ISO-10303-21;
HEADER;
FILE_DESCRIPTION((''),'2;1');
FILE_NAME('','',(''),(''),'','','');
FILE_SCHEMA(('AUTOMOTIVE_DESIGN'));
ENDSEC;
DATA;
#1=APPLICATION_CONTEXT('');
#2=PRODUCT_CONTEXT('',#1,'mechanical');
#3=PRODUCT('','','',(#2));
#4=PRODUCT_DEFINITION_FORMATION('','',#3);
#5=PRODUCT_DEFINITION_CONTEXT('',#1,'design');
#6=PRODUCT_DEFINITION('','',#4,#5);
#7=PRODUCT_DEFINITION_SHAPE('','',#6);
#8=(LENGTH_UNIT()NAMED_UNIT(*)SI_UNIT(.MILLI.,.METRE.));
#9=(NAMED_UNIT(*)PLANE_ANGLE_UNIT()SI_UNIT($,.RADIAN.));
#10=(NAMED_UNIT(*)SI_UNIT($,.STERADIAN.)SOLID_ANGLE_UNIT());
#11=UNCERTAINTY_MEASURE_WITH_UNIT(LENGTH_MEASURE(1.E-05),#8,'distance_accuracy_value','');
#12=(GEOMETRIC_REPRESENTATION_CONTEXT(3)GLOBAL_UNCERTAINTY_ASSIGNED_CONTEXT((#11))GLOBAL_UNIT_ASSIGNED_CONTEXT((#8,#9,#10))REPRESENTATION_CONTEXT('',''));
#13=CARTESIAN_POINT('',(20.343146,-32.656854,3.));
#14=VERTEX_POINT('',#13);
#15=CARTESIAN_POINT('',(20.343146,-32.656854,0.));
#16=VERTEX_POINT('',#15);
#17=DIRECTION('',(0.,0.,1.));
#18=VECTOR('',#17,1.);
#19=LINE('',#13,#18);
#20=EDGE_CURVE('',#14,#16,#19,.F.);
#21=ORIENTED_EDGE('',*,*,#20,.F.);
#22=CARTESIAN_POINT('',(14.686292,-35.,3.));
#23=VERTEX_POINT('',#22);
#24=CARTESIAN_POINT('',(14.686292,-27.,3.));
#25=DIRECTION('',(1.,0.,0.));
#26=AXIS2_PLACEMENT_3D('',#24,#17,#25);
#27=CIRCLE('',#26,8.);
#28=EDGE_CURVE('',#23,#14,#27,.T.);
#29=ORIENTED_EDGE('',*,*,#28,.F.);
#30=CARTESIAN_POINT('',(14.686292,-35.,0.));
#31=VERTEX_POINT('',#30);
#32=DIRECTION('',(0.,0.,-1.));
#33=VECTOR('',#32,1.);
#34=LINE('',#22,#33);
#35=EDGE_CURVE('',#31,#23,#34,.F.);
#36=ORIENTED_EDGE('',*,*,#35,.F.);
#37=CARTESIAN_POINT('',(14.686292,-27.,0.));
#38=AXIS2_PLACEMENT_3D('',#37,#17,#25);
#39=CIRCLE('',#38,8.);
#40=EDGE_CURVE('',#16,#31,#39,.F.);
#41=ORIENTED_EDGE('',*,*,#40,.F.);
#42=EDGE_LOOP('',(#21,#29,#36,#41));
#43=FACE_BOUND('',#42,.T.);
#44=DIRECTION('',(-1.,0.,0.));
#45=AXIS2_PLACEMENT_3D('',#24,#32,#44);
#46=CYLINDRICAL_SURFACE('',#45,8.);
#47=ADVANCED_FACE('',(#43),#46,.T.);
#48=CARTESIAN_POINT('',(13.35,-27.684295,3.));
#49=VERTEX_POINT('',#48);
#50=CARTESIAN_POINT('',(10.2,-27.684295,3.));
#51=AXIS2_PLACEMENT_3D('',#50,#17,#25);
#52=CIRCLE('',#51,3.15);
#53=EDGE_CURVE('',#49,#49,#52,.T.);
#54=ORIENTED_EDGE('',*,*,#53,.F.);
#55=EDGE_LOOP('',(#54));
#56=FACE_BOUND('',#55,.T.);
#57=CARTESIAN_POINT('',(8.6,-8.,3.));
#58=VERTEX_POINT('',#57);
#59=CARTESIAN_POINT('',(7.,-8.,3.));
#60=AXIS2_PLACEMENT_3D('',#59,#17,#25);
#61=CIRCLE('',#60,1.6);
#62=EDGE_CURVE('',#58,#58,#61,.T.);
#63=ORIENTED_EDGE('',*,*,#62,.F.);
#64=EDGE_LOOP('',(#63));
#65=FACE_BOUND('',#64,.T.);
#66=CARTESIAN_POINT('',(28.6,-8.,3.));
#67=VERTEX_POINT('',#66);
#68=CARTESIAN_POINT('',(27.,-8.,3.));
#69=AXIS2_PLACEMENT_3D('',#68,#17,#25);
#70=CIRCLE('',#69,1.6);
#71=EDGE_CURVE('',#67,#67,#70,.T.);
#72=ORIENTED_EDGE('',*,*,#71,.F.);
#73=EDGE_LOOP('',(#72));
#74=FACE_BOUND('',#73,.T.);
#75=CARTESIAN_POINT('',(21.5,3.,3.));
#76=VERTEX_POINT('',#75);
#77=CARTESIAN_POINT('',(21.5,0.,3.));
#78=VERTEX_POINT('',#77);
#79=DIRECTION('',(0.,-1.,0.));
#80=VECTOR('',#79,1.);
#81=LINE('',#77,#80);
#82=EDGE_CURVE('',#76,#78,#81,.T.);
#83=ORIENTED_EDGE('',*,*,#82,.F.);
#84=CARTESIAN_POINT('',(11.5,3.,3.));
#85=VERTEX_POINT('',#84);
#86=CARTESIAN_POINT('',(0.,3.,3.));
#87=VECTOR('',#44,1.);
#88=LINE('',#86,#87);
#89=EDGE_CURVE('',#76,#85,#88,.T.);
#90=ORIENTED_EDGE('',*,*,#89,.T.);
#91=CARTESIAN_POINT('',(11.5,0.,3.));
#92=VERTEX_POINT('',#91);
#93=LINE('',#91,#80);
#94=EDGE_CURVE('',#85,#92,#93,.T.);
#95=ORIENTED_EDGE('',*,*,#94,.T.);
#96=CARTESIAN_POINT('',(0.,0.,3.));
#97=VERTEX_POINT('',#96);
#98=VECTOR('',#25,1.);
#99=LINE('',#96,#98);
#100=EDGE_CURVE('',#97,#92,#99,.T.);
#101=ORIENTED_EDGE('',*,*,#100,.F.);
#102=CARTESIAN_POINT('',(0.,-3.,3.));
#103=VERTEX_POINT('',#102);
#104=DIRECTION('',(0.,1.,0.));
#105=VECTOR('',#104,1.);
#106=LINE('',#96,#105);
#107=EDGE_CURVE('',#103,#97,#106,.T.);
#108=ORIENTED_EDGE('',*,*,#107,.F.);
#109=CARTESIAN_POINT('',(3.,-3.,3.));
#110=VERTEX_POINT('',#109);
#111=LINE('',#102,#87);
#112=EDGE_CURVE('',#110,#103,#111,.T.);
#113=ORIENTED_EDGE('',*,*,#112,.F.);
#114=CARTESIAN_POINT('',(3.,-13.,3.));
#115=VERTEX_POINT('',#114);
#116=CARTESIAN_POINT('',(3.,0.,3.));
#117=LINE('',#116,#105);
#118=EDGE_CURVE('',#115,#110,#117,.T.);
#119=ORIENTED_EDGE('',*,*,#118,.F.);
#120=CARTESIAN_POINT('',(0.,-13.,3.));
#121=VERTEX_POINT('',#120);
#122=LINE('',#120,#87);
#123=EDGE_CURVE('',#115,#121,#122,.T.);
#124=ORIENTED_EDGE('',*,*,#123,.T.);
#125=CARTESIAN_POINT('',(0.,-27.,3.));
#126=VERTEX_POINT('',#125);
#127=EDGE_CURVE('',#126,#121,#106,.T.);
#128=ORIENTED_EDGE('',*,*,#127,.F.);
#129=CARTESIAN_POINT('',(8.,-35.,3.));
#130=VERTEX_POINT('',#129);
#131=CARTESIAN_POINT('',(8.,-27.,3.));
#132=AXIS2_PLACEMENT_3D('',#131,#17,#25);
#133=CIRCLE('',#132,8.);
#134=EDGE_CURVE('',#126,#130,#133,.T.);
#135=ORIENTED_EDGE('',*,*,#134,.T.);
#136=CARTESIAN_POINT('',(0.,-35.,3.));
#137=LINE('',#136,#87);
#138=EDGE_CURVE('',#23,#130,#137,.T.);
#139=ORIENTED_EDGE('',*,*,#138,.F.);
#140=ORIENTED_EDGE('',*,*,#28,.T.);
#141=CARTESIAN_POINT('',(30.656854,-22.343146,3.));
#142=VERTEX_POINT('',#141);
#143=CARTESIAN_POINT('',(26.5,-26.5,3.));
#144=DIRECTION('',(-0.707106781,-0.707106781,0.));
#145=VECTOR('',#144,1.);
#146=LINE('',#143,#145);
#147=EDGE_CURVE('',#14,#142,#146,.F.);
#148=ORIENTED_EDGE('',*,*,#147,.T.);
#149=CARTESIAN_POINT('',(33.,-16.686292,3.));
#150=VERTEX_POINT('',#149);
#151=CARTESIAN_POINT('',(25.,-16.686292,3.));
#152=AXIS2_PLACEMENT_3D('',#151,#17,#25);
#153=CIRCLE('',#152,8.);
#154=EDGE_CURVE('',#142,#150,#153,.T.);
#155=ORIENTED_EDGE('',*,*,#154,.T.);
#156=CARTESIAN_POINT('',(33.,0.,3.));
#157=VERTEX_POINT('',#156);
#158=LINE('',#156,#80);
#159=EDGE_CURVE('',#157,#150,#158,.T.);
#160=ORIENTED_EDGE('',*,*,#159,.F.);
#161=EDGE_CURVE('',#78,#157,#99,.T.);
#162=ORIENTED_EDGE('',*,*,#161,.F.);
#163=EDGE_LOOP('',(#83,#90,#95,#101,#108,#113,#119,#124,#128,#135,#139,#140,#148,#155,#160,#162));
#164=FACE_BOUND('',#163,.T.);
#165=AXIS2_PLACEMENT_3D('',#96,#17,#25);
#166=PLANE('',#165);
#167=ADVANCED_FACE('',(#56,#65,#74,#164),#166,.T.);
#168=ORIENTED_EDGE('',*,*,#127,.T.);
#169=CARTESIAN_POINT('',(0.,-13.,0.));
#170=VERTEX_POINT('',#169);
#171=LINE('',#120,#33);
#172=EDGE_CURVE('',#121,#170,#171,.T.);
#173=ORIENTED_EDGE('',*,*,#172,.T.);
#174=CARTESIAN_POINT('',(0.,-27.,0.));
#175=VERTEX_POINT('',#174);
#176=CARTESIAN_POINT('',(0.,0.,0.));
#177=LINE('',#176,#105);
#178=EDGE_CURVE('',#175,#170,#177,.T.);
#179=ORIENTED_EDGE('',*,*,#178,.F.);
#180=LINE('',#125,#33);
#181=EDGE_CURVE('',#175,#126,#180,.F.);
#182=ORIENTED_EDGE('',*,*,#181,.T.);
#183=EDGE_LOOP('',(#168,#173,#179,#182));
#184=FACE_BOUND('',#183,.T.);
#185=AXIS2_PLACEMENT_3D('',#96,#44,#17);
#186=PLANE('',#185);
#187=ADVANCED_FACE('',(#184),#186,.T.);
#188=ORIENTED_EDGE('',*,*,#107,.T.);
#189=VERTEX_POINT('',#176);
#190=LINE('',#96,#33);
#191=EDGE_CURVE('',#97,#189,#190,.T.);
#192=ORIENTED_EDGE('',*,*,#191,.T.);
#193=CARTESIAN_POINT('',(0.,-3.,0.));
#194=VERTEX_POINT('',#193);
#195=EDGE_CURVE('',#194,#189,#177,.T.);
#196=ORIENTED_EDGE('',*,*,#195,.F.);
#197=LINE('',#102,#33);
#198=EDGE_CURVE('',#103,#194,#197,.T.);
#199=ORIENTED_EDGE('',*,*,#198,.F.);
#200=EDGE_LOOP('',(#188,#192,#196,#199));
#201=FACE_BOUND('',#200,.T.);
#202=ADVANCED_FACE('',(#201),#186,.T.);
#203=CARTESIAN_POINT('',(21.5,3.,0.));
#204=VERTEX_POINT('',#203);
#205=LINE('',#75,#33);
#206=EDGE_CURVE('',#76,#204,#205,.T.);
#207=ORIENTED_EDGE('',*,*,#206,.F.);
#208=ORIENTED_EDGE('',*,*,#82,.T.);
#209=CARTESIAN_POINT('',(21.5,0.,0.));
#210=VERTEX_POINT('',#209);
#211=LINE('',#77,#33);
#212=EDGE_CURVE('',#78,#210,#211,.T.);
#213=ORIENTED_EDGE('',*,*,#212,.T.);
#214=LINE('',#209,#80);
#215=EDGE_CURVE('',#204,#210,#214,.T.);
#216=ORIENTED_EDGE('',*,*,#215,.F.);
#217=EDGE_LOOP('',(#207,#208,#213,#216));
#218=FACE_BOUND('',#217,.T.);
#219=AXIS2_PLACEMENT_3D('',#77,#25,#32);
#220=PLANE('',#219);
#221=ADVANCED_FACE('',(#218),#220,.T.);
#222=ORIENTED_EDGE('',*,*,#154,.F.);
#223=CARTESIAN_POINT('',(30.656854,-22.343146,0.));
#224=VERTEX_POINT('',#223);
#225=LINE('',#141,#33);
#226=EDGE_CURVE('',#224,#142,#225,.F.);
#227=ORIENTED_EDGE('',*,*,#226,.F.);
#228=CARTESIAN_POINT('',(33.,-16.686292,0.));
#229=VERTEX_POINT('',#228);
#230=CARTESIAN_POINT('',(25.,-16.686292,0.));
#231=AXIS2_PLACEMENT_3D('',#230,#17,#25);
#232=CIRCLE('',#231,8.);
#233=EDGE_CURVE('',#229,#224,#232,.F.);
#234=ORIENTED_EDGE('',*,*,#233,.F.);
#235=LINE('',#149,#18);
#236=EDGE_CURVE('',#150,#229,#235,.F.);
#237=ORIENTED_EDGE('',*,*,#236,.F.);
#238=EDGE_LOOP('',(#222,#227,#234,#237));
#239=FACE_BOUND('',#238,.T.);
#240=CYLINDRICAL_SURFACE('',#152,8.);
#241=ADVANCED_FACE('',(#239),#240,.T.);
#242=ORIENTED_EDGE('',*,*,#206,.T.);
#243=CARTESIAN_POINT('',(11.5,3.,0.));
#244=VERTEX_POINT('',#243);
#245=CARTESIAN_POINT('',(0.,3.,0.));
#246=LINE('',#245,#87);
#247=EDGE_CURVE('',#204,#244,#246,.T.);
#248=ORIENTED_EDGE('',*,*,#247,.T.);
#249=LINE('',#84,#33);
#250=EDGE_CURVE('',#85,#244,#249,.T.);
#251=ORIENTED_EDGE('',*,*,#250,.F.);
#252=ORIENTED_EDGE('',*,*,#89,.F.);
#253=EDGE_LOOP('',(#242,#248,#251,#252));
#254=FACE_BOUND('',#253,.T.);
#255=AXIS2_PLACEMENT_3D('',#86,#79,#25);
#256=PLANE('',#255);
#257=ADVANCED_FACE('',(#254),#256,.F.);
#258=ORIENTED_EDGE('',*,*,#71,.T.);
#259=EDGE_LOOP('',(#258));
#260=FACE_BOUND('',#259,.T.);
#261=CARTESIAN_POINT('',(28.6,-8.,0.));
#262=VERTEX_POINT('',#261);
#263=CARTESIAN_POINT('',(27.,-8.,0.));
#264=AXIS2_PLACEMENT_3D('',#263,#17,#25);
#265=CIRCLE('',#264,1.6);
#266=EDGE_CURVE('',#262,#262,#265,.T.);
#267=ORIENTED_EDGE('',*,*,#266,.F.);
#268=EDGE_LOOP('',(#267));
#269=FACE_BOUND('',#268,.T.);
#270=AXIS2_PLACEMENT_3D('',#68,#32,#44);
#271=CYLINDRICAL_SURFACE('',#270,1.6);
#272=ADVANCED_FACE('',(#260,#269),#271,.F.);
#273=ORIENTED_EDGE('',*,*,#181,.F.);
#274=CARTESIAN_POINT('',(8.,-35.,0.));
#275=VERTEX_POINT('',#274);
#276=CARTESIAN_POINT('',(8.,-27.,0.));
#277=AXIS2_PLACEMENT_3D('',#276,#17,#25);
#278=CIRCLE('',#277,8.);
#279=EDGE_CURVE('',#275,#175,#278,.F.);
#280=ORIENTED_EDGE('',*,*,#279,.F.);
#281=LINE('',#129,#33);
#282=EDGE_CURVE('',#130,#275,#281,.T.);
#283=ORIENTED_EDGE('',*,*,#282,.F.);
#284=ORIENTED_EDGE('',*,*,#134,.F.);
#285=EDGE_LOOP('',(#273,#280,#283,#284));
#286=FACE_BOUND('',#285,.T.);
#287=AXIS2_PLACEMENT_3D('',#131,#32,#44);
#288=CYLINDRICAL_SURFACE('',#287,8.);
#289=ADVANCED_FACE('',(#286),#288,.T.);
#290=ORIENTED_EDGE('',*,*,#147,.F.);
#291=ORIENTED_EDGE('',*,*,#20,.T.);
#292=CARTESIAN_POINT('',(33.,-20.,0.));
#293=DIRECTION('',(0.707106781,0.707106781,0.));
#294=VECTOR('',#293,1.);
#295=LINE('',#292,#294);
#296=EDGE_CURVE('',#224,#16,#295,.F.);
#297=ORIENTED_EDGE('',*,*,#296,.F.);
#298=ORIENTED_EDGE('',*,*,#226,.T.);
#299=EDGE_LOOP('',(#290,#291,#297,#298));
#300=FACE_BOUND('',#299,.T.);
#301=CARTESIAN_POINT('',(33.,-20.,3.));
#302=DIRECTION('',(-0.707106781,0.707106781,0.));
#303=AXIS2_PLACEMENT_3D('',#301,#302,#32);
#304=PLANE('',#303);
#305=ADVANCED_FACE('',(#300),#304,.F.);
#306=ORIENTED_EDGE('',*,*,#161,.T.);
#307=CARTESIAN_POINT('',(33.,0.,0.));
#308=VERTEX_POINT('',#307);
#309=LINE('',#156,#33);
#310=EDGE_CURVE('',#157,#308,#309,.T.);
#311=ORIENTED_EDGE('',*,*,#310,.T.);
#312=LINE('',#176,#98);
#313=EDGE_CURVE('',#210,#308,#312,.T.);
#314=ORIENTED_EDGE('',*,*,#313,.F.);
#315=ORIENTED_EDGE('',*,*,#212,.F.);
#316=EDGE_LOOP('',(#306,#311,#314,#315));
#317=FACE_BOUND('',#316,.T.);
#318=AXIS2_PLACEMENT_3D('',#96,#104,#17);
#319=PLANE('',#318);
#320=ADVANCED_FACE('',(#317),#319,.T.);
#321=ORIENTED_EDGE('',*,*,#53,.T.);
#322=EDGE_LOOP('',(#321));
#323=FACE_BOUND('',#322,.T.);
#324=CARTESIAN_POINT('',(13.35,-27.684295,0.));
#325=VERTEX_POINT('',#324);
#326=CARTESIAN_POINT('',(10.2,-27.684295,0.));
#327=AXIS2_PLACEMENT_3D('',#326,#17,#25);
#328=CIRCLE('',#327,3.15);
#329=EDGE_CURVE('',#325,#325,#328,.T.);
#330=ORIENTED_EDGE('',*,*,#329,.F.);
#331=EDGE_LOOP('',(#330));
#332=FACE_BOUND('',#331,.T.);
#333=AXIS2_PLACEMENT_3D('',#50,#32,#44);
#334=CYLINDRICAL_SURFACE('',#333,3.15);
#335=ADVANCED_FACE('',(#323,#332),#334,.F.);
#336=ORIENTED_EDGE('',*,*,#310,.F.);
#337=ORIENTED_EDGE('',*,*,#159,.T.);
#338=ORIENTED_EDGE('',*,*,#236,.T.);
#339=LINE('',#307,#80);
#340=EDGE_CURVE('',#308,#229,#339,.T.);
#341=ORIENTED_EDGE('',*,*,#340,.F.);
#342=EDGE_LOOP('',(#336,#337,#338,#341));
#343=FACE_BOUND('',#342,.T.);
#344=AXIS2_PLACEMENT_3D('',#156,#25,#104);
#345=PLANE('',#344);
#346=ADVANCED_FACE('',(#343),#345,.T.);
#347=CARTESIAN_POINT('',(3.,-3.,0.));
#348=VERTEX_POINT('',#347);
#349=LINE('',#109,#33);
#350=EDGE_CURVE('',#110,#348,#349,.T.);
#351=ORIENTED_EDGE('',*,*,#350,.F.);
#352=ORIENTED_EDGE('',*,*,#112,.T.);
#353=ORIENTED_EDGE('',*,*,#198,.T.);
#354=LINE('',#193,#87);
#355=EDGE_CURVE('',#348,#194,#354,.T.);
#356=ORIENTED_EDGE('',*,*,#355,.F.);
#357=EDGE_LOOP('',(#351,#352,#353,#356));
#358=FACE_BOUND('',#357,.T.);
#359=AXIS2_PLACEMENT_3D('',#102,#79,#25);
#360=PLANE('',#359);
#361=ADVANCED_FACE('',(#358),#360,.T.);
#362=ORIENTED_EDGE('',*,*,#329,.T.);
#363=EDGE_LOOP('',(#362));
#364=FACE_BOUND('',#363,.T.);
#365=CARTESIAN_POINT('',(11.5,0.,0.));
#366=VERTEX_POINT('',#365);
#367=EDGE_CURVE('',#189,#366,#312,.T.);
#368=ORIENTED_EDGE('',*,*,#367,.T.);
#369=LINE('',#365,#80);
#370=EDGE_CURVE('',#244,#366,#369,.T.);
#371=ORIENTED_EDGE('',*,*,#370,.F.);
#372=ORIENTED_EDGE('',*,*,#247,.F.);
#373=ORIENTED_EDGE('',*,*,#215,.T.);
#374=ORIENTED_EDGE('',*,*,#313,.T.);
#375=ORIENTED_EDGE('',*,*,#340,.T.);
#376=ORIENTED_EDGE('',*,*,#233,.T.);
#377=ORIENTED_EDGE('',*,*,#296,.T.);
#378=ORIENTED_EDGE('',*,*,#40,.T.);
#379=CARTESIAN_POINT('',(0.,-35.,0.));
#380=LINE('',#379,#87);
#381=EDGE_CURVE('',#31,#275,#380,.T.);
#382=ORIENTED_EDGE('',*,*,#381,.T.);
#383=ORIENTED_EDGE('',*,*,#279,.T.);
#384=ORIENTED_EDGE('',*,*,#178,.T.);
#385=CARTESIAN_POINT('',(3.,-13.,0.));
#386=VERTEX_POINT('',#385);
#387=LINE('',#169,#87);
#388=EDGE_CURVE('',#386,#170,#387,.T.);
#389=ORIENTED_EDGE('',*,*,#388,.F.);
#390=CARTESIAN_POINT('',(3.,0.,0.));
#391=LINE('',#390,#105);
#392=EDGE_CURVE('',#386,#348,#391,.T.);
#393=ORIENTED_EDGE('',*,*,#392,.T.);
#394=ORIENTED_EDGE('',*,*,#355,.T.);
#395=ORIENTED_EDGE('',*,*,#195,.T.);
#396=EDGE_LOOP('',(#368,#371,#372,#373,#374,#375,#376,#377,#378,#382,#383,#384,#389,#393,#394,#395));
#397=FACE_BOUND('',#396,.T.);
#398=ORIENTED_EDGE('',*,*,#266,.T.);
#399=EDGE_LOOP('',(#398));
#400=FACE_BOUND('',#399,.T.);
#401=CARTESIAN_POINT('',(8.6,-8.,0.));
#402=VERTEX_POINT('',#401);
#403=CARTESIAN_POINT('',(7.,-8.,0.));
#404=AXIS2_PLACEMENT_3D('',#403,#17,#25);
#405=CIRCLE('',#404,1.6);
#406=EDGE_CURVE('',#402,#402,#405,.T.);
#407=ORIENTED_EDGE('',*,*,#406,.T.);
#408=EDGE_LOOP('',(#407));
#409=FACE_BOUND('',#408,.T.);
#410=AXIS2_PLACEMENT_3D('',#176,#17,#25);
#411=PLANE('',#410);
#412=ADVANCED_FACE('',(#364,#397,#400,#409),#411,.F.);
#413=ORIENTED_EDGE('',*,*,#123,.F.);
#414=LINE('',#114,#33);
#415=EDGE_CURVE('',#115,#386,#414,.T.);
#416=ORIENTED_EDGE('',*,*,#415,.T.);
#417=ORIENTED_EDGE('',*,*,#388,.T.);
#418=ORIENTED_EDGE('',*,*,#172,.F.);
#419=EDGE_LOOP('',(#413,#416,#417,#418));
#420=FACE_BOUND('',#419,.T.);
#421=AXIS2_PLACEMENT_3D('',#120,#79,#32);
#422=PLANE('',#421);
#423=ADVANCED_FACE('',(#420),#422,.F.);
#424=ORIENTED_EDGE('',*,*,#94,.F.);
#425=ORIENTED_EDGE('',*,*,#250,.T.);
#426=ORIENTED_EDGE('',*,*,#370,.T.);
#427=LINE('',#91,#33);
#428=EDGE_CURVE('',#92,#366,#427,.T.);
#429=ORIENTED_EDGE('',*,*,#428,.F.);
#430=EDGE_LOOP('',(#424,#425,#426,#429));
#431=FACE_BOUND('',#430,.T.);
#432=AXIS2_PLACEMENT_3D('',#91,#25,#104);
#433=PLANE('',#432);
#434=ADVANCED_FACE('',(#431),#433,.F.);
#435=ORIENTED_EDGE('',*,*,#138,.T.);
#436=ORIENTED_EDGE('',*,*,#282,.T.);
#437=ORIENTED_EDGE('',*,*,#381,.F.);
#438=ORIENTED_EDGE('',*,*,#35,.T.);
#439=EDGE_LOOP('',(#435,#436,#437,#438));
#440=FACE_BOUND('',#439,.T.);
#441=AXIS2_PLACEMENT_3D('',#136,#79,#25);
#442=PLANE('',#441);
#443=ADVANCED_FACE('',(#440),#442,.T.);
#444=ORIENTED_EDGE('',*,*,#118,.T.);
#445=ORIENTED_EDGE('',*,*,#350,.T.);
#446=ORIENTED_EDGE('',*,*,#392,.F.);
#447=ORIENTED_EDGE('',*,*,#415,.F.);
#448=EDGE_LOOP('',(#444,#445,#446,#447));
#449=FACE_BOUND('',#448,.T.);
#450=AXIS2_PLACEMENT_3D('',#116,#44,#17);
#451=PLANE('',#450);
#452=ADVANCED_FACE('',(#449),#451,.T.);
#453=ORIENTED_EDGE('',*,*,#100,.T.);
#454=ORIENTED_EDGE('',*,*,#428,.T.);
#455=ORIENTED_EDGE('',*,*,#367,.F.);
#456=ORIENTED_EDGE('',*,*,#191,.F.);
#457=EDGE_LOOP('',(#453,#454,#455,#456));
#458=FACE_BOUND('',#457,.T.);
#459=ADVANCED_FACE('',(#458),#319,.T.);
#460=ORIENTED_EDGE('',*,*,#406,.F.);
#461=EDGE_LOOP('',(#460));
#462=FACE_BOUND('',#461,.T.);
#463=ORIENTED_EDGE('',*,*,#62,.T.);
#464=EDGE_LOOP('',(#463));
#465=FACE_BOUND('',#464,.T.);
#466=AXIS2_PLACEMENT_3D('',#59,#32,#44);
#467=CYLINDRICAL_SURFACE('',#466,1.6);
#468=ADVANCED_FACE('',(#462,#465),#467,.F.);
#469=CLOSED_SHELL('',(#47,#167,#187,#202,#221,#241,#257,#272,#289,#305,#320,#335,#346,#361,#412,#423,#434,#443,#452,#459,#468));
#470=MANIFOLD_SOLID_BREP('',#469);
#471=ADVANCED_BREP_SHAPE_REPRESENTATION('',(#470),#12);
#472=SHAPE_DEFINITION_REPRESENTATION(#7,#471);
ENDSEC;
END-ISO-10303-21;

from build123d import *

# Parameters (mm, degrees)
ESBO_O1_R                = 1.6
ESBO_O1_R_2              = 3.15
RESSALTO_EXTRUS_O1_DEPTH = 3
CHANFRO2_SIZE            = 15
FILETE2_R                = 8


with BuildPart() as part:
    # Esboço1 → Ressalto-extrusão1 (new body)
    with BuildSketch(Plane.XY):
        Polygon((11.5, 0), (0, 0), (0, -3), (3, -3), (3, -13), (0, -13), (0, -35), (33, -35), (33, 0), (21.5, 0), (21.5, 3), (11.5, 3), align=None)
        with Locations((27, -8)):
            Circle(ESBO_O1_R, mode=Mode.SUBTRACT)
        with Locations((7, -8)):
            Circle(ESBO_O1_R, mode=Mode.SUBTRACT)
        with Locations((10.2, -27.684295139)):
            Circle(ESBO_O1_R_2, mode=Mode.SUBTRACT)
    extrude(amount=RESSALTO_EXTRUS_O1_DEPTH)

    # Chanfro2
    chanfro2_edges = [part.edges().sort_by_distance(p)[0] for p in [
        (33, -35, 1.5),
    ]]
    chamfer(chanfro2_edges, length=CHANFRO2_SIZE)

    # Filete2
    filete2_edges = [part.edges().sort_by_distance(p)[0] for p in [
        (0, -35, 1.5),
        (33, -20, 1.5),
        (18, -35, 1.5),
    ]]
    fillet(filete2_edges, radius=FILETE2_R)


solid = part.part
